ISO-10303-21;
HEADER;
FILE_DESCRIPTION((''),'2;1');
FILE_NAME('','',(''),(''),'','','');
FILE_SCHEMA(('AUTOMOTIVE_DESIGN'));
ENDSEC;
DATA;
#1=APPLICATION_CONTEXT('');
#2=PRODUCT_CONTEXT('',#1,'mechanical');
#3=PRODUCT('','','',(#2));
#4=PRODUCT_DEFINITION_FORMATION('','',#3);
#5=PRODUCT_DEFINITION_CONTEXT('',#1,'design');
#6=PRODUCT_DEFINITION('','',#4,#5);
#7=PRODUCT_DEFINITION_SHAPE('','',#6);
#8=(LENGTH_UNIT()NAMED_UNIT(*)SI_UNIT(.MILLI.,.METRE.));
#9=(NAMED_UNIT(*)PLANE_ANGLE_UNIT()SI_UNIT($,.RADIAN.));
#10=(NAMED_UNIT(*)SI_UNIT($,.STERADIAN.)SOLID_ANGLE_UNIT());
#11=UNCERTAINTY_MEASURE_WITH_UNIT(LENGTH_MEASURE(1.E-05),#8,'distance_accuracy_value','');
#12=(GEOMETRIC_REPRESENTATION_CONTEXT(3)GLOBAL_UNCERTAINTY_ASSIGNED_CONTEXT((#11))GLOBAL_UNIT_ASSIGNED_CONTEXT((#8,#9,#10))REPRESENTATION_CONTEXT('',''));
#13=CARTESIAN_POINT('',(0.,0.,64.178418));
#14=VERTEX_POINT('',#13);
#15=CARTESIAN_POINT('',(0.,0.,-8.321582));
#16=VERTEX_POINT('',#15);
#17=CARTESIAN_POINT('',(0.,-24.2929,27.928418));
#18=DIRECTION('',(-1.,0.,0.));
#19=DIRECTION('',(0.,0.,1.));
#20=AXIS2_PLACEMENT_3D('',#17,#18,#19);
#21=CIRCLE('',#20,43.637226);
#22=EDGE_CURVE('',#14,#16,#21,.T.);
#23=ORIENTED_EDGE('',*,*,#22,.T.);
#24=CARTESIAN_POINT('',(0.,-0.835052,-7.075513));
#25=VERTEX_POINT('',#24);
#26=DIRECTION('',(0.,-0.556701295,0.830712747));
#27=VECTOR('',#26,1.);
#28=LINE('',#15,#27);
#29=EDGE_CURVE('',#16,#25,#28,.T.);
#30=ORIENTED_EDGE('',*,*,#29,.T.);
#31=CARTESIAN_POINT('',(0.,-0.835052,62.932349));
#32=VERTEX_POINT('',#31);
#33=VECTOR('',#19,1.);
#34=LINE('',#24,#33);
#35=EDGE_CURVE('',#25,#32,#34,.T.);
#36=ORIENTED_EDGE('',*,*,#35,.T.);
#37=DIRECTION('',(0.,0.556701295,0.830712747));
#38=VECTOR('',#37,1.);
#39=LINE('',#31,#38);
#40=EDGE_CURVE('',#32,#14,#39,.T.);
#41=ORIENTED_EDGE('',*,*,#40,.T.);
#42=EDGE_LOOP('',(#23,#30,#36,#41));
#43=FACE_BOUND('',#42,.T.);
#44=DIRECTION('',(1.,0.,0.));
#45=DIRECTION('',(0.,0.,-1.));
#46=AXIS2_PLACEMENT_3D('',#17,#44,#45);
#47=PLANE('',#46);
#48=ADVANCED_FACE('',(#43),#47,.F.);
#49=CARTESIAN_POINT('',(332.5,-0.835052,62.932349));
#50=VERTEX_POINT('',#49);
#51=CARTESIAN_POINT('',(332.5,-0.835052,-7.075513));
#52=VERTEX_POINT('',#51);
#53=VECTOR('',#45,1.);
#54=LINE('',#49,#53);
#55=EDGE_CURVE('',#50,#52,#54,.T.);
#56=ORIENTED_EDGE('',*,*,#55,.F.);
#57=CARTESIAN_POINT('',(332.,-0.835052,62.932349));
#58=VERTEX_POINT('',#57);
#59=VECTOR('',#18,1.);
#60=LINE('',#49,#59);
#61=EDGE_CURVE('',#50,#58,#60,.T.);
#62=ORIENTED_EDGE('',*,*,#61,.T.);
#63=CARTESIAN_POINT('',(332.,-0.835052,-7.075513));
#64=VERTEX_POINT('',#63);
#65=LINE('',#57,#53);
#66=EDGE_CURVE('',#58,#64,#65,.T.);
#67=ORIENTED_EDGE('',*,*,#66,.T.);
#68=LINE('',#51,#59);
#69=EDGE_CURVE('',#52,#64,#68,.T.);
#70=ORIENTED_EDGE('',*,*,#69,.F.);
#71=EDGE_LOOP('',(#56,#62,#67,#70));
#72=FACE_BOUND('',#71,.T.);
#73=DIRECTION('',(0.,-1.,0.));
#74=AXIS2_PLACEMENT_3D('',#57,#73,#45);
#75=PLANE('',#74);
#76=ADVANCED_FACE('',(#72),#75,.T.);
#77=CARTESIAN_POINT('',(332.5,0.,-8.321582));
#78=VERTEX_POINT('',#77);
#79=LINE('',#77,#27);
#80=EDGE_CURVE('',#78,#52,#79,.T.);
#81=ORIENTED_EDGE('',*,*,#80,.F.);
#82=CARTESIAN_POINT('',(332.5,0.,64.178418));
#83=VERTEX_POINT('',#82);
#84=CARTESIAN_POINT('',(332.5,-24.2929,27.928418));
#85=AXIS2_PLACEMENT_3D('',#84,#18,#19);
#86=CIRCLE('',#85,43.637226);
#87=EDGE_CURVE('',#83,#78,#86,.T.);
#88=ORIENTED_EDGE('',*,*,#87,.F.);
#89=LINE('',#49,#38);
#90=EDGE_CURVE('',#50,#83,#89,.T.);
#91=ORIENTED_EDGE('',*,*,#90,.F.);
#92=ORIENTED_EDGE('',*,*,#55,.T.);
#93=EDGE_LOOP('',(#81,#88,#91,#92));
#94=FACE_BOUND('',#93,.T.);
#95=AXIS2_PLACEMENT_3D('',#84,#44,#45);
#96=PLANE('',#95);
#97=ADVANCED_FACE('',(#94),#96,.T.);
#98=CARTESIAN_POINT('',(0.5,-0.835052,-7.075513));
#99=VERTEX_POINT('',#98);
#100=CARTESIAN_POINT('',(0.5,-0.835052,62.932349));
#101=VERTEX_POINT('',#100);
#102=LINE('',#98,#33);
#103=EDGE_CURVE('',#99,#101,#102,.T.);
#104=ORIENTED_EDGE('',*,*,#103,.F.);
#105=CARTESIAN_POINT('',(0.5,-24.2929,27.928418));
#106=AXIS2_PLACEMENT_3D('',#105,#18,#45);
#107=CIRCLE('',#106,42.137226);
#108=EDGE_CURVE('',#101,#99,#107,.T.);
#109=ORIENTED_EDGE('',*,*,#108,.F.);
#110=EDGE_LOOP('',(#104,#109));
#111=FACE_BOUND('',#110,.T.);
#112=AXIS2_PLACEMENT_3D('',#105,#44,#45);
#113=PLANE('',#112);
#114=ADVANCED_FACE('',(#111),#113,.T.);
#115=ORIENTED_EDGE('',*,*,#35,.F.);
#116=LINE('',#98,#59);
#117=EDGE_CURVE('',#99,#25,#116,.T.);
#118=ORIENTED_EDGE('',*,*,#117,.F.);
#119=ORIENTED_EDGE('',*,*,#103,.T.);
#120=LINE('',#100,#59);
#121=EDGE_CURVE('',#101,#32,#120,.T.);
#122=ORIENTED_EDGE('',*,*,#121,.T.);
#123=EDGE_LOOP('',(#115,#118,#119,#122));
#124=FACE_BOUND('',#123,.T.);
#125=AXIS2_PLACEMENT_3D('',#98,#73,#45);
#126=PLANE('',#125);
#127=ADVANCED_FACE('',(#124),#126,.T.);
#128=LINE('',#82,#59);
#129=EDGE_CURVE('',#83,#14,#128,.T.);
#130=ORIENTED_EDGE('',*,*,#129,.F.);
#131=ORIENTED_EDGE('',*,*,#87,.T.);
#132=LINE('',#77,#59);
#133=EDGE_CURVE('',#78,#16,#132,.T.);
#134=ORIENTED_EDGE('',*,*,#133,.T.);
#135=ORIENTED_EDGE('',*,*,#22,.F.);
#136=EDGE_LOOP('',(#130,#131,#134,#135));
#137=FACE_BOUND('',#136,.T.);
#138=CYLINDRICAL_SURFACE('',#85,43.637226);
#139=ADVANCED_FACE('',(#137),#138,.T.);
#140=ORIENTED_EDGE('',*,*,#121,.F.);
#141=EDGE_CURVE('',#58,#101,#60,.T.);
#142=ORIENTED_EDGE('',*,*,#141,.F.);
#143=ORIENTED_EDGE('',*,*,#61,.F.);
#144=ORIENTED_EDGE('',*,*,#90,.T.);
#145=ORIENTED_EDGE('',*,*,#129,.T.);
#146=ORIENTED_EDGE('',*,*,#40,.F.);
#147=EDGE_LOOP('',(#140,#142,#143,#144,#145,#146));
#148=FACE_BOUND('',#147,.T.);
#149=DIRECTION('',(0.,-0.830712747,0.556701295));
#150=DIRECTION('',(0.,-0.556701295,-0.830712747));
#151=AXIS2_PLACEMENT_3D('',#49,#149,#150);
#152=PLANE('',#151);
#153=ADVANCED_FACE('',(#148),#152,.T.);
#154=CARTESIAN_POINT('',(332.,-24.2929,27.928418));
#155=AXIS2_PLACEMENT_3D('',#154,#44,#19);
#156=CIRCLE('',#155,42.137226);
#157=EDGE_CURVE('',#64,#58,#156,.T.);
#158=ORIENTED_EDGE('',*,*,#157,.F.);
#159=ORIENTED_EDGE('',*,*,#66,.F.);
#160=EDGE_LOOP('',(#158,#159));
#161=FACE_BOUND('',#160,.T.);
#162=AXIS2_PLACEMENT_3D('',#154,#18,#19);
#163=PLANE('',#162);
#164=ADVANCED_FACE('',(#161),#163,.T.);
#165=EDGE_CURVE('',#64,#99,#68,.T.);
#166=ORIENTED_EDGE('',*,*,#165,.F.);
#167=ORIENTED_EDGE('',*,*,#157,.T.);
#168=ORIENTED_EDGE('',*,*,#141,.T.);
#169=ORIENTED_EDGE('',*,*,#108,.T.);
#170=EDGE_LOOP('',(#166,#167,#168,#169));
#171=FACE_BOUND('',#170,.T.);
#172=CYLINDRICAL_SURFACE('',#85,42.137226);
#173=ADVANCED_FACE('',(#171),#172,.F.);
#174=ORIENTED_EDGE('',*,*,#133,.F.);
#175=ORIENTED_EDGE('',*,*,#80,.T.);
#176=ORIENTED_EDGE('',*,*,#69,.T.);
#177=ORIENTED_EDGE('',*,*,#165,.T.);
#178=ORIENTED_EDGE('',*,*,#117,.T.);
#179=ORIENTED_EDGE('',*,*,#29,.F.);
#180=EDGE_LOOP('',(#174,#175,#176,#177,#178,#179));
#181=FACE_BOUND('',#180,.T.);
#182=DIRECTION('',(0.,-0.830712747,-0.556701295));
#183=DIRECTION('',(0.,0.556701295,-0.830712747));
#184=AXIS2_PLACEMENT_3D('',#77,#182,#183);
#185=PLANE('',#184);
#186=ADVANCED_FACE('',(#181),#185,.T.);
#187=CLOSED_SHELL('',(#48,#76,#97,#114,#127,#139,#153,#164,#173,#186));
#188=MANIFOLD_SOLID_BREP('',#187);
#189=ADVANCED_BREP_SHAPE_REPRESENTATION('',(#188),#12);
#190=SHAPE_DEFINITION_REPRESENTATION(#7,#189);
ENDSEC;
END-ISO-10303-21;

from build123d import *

# Parameters (mm, degrees)
EXTRUIR_L_MINA1_DEPTH   = 332.5
SALIENTE_EXTRUIR1_DEPTH = 0.5
SALIENTE_EXTRUIR2_START = -0.5
SALIENTE_EXTRUIR2_DEPTH = 0.5


with BuildPart() as part:
    # Croquis2 → Extruir-Lámina1 (new body)
    with BuildSketch(Plane(origin=(0, 0, 0), x_dir=(0, 0, -1), z_dir=(1, 0, 0))):
        with BuildLine():
            ThreePointArc((-64.178417971, 0), (-27.928417971, 19.344325839), (8.321582029, 0))
            Line((8.321582029, 0), (7.075512909, -0.835051942))
            ThreePointArc((7.075512909, -0.835051942), (-27.928417971, 17.844325839), (-62.93234885, -0.835051942))
            Line((-62.93234885, -0.835051942), (-64.178417971, 0))
        make_face()
    extrude(amount=EXTRUIR_L_MINA1_DEPTH)

    # Croquis3 → Saliente-Extruir1 (add)
    with BuildSketch(Plane.ZY):
        with BuildLine():
            Line((-7.075512909, -0.835051942), (62.93234885, -0.835051942))
            ThreePointArc((62.93234885, -0.835051942), (27.928417971, 17.844325839), (-7.075512909, -0.835051942))
        make_face()
    extrude(amount=-SALIENTE_EXTRUIR1_DEPTH)

    # Croquis4 → Saliente-Extruir2 (add)
    with BuildSketch(Plane(origin=(332.5, 0, 0), x_dir=(0, 0, -1), z_dir=(1, 0, 0)).offset(SALIENTE_EXTRUIR2_START)):
        with BuildLine():
            Line((-62.93234885, -0.835051942), (7.075512909, -0.835051942))
            ThreePointArc((7.075512909, -0.835051942), (-27.928417971, 17.844325839), (-62.93234885, -0.835051942))
        make_face()
    extrude(amount=SALIENTE_EXTRUIR2_DEPTH)


solid = part.part
